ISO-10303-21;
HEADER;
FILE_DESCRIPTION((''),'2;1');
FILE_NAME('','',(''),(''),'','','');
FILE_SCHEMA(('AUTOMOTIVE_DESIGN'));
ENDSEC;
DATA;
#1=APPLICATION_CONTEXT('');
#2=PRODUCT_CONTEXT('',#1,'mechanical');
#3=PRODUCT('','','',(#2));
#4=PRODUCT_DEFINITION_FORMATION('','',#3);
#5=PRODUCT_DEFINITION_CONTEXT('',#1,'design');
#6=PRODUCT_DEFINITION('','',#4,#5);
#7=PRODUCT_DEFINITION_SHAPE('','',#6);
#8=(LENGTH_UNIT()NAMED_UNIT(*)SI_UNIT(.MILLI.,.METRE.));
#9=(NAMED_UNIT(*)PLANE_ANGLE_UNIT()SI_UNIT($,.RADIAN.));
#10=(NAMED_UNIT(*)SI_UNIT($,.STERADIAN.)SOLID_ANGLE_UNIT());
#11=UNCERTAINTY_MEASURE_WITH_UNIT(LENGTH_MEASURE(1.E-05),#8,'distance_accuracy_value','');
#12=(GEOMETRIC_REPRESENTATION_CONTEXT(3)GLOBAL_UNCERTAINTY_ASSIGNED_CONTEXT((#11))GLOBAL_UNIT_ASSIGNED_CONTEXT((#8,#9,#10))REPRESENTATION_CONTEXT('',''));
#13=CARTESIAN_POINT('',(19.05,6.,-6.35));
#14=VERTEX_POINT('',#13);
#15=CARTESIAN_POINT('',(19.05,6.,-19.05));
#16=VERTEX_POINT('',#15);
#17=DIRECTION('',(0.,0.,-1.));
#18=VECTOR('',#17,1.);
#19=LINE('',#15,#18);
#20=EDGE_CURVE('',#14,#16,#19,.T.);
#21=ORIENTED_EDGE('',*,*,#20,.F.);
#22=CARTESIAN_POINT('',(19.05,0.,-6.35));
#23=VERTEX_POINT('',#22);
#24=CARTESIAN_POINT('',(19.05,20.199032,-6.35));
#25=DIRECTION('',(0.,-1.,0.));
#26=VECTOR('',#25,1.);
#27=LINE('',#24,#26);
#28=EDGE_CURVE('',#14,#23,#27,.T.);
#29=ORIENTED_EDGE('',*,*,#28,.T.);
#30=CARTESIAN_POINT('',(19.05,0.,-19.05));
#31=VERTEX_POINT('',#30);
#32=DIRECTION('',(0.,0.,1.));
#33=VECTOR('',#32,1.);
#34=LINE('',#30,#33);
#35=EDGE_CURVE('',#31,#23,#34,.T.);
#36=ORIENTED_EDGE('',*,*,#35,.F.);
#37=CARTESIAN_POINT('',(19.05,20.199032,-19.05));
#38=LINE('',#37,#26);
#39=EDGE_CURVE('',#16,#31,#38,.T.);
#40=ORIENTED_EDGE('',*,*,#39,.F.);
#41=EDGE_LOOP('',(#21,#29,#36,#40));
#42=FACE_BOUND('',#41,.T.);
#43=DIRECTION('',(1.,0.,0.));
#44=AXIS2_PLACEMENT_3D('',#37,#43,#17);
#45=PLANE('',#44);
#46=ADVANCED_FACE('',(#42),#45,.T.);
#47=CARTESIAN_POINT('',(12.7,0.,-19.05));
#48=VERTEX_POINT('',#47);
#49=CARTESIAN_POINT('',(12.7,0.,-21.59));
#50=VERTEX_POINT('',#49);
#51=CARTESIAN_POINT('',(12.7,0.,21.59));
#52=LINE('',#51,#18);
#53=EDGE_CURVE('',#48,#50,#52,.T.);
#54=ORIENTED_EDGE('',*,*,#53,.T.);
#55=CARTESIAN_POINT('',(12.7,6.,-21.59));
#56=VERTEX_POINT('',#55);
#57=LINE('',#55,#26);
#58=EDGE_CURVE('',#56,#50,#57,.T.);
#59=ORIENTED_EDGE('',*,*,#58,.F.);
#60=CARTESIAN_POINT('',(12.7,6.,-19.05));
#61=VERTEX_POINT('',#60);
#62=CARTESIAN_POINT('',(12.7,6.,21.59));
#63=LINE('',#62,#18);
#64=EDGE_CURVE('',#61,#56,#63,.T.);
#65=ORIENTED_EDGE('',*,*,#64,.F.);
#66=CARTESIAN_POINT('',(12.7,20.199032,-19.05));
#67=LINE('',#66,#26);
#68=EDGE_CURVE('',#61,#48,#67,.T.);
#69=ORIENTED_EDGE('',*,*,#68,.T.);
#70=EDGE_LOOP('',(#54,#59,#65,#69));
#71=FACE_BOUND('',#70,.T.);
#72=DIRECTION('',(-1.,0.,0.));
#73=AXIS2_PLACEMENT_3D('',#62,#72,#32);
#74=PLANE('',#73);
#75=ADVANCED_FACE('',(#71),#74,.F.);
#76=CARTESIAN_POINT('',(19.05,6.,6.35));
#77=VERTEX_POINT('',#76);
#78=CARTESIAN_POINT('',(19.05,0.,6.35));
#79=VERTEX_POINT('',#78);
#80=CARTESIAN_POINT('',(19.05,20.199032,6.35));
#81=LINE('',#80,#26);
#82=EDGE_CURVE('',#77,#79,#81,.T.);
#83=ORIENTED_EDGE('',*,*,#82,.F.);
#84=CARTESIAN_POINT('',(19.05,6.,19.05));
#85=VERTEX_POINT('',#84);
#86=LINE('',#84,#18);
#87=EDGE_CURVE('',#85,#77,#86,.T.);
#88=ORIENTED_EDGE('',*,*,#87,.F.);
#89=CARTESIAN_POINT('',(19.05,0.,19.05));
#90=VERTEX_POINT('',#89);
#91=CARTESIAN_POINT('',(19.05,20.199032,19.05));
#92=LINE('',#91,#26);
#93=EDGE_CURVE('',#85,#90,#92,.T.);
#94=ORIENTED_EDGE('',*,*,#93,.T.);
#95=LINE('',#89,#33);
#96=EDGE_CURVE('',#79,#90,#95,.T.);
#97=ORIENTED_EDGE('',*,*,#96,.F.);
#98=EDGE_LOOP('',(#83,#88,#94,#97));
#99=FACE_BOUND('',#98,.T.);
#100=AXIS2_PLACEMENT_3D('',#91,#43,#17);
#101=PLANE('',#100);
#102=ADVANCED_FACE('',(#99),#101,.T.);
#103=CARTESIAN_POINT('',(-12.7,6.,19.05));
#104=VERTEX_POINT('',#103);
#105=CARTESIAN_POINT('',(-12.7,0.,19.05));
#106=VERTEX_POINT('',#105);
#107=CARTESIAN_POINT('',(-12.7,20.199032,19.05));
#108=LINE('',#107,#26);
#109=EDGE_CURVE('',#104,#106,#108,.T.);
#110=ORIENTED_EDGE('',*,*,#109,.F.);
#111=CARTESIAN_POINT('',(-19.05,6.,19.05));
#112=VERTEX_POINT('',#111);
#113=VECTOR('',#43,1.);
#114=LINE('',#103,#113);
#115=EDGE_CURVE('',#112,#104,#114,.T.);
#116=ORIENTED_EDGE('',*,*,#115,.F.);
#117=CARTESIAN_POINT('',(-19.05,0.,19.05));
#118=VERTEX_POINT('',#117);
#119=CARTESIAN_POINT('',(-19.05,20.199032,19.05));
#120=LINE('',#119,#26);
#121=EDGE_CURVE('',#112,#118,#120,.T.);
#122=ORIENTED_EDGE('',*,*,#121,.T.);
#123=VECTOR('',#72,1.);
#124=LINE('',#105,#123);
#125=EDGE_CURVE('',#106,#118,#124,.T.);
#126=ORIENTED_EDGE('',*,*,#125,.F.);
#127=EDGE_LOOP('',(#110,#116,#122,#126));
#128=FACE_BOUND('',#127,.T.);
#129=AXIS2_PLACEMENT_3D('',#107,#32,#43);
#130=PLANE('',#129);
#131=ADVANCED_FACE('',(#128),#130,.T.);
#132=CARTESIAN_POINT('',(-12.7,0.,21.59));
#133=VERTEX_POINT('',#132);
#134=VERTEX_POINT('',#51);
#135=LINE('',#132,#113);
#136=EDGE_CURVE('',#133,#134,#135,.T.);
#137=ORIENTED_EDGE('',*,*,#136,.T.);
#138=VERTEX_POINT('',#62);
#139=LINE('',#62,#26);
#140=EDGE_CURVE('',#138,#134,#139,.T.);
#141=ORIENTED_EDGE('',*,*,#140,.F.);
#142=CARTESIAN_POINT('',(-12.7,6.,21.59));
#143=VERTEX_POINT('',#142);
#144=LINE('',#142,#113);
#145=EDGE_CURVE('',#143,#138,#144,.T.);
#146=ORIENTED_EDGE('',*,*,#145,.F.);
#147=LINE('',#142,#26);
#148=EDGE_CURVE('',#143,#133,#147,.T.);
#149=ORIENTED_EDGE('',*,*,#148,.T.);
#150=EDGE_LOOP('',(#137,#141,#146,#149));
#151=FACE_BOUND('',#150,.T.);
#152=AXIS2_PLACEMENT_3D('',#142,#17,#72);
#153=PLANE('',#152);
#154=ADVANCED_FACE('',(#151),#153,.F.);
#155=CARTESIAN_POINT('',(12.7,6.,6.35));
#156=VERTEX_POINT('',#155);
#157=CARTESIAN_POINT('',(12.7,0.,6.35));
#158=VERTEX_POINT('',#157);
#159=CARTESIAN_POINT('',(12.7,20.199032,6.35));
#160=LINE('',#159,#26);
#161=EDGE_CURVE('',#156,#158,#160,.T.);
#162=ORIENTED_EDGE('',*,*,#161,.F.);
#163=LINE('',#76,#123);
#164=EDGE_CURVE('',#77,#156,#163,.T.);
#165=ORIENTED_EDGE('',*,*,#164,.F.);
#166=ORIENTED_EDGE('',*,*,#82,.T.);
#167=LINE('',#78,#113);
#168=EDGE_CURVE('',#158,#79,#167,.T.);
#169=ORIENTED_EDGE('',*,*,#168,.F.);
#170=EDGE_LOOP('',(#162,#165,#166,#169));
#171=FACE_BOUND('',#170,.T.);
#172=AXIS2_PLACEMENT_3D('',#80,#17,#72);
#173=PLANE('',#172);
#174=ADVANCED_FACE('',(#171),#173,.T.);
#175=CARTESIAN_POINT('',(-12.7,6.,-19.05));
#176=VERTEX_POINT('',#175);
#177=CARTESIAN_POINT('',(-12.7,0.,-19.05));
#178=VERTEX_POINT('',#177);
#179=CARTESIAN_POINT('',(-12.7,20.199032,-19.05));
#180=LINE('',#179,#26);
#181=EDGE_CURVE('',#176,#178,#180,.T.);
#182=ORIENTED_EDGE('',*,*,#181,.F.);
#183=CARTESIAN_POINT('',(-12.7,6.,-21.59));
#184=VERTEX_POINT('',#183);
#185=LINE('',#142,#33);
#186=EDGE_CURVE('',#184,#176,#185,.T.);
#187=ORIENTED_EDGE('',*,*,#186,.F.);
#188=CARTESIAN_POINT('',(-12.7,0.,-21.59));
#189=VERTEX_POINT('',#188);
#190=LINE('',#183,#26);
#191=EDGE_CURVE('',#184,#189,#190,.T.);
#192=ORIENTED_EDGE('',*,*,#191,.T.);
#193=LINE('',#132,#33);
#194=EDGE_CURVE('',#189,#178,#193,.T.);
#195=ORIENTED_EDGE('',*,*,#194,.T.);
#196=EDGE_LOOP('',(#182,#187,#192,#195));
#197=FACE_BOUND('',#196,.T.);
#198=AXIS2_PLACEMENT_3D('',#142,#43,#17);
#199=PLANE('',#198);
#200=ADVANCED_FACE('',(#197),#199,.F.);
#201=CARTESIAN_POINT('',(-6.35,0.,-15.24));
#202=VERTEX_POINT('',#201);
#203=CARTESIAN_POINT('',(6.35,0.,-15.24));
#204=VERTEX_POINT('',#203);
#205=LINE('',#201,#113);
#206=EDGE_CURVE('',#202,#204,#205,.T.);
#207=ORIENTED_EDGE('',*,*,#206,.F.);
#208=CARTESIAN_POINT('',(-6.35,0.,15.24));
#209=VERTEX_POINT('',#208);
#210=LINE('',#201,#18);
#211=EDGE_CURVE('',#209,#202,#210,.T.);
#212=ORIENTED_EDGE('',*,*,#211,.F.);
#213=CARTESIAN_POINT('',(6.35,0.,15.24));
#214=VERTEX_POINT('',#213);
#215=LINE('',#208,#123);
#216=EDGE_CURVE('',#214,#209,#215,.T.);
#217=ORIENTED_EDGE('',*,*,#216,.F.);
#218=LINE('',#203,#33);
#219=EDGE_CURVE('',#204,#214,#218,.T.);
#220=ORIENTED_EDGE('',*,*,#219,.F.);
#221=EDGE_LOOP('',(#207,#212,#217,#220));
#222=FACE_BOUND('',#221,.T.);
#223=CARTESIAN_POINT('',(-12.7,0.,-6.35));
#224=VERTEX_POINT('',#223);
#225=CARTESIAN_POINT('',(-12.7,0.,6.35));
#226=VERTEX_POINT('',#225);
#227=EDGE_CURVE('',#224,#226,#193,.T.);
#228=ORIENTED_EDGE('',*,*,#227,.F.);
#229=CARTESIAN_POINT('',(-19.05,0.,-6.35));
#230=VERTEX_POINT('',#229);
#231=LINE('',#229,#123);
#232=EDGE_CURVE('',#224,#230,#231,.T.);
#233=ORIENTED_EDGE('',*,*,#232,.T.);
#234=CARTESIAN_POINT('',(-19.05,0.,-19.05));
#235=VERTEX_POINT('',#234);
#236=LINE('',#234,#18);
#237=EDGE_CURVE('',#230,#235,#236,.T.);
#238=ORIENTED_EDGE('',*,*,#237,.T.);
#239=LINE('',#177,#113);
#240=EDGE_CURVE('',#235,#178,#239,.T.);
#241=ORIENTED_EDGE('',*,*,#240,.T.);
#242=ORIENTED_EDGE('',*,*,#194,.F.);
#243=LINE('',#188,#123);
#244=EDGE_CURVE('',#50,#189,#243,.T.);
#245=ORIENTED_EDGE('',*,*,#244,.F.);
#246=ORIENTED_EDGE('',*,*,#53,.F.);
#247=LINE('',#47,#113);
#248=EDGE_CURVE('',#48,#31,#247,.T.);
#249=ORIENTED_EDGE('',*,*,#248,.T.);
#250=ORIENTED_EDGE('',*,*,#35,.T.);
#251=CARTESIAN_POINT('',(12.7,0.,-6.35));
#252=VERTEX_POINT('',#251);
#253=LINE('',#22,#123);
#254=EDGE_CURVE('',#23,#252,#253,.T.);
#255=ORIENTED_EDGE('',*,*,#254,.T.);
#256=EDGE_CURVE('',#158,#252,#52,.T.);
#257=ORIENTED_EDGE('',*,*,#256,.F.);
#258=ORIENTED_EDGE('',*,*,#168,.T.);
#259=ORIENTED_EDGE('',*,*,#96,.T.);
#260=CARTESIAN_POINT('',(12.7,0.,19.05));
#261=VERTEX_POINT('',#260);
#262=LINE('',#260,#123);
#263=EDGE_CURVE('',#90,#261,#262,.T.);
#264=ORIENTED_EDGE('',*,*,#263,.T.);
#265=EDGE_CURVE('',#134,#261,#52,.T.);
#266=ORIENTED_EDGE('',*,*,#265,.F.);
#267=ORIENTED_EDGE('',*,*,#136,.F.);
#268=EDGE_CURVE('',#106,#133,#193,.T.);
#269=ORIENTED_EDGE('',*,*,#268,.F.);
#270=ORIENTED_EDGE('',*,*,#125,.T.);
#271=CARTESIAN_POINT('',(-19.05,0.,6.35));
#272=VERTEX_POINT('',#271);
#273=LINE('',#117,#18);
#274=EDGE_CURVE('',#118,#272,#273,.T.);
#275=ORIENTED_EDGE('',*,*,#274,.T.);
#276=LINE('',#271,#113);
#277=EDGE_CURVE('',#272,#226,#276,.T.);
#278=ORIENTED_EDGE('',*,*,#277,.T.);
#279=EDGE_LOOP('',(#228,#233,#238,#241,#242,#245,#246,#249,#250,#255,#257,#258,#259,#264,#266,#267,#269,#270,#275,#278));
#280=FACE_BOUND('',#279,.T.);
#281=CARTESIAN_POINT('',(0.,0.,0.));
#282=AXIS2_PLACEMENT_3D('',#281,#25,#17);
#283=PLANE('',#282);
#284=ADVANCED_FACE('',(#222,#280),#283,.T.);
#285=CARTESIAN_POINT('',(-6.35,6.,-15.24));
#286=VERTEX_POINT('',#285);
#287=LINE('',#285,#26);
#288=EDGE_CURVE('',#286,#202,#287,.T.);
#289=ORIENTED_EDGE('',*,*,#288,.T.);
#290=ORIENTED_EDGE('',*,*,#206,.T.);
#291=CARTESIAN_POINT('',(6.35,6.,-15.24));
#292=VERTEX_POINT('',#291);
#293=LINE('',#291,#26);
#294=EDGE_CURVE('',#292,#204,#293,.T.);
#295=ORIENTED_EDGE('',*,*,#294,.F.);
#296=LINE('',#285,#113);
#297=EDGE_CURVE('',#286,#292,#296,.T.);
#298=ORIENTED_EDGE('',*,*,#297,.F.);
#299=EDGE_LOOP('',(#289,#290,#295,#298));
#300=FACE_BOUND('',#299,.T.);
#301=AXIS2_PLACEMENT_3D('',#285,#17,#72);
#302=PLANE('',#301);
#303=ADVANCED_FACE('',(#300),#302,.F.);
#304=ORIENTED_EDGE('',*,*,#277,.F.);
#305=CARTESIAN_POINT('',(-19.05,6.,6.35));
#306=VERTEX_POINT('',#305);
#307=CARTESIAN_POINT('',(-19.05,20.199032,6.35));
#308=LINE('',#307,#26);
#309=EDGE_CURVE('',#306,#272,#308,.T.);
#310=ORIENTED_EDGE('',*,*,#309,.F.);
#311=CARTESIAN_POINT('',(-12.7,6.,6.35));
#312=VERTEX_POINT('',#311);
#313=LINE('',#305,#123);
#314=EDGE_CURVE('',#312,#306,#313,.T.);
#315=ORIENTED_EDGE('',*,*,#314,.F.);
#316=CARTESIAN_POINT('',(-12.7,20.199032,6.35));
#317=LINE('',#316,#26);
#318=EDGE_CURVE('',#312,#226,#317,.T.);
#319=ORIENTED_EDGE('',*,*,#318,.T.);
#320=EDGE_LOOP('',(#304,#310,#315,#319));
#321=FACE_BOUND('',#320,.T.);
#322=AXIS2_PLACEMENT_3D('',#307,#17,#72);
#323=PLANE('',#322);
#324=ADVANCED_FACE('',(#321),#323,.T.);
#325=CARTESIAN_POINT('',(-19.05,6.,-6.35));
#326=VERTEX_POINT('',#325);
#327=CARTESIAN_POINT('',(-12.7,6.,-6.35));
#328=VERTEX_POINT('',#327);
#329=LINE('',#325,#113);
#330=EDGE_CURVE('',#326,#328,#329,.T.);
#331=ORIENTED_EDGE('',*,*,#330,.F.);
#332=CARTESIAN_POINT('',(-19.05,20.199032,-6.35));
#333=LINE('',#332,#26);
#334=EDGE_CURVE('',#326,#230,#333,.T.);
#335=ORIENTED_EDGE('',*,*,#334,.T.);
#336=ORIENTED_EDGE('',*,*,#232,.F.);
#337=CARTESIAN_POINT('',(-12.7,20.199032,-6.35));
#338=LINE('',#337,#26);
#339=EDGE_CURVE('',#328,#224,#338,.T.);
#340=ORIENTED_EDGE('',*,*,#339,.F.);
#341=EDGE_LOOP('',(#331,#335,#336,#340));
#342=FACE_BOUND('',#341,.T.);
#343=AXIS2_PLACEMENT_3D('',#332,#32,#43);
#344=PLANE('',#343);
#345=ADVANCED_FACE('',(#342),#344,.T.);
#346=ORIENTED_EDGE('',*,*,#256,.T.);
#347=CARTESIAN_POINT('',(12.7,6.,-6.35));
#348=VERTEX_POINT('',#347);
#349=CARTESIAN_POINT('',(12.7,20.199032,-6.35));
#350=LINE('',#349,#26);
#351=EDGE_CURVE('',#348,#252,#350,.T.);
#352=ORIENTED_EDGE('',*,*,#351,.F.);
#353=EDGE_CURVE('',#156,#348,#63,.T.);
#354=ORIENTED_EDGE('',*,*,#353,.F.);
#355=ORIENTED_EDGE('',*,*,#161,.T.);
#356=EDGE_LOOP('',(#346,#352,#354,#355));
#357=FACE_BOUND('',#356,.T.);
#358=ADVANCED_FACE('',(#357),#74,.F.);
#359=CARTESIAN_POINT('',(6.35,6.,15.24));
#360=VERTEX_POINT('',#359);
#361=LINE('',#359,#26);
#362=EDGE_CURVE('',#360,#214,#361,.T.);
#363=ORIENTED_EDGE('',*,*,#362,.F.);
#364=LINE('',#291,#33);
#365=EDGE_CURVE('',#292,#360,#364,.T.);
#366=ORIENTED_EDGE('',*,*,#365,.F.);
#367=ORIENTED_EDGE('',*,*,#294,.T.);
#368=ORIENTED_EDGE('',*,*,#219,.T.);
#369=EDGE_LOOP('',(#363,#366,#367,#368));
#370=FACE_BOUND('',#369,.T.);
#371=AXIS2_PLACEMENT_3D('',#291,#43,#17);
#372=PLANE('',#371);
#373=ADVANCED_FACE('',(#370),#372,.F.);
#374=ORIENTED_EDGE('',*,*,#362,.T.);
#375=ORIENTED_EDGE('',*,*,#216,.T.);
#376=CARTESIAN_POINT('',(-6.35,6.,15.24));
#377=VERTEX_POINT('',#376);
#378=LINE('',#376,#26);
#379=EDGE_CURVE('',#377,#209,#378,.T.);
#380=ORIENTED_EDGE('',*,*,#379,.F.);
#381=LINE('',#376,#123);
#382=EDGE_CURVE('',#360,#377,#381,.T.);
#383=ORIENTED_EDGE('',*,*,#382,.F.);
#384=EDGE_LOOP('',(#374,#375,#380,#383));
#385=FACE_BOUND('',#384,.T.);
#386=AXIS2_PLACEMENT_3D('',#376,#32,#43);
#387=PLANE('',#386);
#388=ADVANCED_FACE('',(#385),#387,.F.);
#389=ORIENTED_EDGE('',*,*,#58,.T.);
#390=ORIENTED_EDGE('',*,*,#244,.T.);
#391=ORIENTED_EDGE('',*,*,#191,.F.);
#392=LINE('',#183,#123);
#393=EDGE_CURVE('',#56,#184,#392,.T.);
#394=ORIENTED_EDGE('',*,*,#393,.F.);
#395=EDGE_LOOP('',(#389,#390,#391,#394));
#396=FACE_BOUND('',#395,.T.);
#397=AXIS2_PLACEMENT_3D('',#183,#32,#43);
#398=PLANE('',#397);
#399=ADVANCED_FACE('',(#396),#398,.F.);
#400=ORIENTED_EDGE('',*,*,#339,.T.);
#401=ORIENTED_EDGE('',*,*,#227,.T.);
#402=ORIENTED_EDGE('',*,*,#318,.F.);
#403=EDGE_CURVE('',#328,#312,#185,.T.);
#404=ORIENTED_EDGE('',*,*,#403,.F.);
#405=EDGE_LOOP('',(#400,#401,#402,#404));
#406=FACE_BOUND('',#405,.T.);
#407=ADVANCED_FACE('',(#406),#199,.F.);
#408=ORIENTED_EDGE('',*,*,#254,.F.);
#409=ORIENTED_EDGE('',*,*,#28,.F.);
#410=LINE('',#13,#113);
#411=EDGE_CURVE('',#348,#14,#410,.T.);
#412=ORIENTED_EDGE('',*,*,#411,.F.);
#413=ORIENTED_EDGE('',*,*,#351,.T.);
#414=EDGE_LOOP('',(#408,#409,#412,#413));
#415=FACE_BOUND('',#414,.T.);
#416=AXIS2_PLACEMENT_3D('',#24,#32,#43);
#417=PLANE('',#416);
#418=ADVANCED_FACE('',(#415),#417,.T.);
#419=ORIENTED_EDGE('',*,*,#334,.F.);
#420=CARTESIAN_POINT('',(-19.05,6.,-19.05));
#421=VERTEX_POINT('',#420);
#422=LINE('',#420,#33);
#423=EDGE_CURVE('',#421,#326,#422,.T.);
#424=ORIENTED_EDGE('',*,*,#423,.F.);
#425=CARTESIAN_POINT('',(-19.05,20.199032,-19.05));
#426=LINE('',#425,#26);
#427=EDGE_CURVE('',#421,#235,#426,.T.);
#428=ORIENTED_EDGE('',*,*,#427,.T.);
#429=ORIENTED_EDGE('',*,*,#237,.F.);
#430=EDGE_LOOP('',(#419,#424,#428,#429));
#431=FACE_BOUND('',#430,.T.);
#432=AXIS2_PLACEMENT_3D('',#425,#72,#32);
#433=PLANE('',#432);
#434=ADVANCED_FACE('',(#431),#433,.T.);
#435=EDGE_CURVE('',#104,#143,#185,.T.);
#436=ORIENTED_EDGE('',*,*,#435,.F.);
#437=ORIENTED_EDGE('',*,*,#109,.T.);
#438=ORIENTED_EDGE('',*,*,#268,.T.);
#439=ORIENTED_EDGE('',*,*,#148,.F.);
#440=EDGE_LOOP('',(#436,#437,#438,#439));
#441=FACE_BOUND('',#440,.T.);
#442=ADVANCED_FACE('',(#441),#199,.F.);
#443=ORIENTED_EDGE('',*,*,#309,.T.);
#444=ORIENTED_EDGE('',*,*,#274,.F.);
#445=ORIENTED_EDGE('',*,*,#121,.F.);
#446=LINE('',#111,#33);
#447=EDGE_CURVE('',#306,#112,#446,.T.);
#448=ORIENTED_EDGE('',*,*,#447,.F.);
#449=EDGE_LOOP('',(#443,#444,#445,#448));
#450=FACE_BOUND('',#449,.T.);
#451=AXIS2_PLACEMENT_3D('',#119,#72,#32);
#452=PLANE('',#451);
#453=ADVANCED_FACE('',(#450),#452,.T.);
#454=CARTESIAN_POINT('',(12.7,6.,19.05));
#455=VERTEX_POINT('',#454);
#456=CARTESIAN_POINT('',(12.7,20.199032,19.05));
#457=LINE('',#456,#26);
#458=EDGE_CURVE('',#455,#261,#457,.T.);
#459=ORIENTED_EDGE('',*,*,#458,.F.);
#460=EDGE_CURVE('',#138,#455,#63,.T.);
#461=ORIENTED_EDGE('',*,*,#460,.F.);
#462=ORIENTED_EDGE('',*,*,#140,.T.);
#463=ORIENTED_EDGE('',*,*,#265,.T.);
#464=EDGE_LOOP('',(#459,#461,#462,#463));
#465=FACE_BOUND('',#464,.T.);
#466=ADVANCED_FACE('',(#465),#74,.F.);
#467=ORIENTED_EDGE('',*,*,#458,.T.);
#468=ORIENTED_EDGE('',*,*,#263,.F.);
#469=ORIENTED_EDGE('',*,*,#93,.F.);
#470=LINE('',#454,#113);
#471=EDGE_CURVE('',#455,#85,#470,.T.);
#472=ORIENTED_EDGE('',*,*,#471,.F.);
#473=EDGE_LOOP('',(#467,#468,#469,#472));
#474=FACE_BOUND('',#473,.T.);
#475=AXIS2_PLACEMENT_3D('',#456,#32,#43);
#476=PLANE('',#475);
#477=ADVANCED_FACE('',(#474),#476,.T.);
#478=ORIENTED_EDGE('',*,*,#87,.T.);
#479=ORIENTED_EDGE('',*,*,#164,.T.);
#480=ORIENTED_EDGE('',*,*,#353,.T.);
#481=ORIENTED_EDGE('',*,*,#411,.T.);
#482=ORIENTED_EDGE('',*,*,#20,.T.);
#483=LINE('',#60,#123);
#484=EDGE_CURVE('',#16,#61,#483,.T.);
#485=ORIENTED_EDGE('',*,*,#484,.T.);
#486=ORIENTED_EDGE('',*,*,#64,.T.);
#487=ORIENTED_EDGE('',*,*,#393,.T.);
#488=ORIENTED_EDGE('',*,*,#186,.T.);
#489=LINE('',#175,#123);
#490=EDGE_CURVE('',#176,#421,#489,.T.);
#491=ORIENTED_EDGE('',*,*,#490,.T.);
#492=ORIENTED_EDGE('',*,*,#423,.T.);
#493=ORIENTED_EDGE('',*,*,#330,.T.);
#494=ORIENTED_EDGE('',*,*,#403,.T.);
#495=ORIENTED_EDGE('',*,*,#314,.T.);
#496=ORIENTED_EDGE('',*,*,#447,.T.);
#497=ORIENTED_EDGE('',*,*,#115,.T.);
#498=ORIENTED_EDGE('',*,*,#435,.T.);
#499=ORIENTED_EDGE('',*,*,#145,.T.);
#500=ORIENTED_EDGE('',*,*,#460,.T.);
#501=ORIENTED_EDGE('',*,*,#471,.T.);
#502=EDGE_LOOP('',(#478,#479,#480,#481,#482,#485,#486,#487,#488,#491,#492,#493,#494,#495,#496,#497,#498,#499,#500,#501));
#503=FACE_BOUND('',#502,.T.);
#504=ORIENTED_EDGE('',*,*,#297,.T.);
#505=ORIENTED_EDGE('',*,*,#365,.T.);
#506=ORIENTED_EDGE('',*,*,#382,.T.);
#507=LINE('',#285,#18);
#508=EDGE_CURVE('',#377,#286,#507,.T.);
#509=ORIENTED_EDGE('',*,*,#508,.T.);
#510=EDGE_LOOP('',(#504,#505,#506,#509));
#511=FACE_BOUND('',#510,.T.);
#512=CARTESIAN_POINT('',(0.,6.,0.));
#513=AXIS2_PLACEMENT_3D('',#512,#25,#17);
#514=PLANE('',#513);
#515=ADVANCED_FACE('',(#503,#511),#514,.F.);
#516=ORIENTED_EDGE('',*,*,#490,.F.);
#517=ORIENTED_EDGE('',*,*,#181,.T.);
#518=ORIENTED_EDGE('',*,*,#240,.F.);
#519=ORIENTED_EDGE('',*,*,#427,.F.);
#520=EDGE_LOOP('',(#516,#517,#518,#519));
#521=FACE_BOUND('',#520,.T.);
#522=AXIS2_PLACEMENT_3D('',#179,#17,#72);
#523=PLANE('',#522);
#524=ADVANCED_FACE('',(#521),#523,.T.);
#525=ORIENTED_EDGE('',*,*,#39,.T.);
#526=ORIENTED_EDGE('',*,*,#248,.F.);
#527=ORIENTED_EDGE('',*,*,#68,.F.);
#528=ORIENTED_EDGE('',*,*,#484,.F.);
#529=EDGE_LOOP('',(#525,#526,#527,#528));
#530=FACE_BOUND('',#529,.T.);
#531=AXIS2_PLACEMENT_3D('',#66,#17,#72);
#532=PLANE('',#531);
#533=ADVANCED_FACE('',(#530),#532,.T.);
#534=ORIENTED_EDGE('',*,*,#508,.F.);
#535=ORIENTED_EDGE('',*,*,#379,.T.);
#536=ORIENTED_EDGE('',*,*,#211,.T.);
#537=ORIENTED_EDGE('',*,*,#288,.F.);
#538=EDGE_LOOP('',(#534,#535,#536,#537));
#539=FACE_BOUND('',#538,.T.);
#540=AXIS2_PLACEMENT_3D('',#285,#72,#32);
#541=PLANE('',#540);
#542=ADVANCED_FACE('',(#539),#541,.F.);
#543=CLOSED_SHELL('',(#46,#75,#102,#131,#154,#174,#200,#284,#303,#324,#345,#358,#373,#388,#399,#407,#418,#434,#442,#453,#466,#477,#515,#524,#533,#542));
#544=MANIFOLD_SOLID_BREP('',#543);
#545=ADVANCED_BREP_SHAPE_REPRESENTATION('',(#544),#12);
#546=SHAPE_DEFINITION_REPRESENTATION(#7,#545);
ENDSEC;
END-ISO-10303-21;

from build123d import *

# Parameters (mm, degrees)
SKETCH1_W           = 25.4
SKETCH1_H           = 43.18
BOSS_EXTRUDE1_DEPTH = 6
SKETCH2_W           = 6.35
SKETCH2_H           = 12.7
BOSS_EXTRUDE2_DEPTH = 6
SKETCH3_W           = 12.7
SKETCH3_H           = 30.48
CUT_EXTRUDE1_DEPTH  = 30.411402551


with BuildPart() as part:
    # Sketch1 → Boss-Extrude1 (new body)
    with BuildSketch(Plane(origin=(0, 0, 0), x_dir=(1, 0, 0), z_dir=(0, 1, 0))):
        Rectangle(SKETCH1_W, SKETCH1_H)
    extrude(amount=BOSS_EXTRUDE1_DEPTH)

    # Sketch2 → Boss-Extrude2 (add)
    with BuildSketch(Plane.XZ):
        with Locations((-15.875, 12.7)):
            Rectangle(SKETCH2_W, SKETCH2_H)
        with Locations((15.875, 12.7)):
            Rectangle(SKETCH2_W, SKETCH2_H)
        with Locations((15.875, -12.7)):
            Rectangle(SKETCH2_W, SKETCH2_H)
        with Locations((-15.875, -12.7)):
            Rectangle(SKETCH2_W, SKETCH2_H)
    extrude(amount=-BOSS_EXTRUDE2_DEPTH)

    # Sketch3 → Cut-Extrude1 (cut, through all)
    with BuildSketch(Plane.XZ):
        Rectangle(SKETCH3_W, SKETCH3_H)
    extrude(amount=-CUT_EXTRUDE1_DEPTH, mode=Mode.SUBTRACT)


solid = part.part
